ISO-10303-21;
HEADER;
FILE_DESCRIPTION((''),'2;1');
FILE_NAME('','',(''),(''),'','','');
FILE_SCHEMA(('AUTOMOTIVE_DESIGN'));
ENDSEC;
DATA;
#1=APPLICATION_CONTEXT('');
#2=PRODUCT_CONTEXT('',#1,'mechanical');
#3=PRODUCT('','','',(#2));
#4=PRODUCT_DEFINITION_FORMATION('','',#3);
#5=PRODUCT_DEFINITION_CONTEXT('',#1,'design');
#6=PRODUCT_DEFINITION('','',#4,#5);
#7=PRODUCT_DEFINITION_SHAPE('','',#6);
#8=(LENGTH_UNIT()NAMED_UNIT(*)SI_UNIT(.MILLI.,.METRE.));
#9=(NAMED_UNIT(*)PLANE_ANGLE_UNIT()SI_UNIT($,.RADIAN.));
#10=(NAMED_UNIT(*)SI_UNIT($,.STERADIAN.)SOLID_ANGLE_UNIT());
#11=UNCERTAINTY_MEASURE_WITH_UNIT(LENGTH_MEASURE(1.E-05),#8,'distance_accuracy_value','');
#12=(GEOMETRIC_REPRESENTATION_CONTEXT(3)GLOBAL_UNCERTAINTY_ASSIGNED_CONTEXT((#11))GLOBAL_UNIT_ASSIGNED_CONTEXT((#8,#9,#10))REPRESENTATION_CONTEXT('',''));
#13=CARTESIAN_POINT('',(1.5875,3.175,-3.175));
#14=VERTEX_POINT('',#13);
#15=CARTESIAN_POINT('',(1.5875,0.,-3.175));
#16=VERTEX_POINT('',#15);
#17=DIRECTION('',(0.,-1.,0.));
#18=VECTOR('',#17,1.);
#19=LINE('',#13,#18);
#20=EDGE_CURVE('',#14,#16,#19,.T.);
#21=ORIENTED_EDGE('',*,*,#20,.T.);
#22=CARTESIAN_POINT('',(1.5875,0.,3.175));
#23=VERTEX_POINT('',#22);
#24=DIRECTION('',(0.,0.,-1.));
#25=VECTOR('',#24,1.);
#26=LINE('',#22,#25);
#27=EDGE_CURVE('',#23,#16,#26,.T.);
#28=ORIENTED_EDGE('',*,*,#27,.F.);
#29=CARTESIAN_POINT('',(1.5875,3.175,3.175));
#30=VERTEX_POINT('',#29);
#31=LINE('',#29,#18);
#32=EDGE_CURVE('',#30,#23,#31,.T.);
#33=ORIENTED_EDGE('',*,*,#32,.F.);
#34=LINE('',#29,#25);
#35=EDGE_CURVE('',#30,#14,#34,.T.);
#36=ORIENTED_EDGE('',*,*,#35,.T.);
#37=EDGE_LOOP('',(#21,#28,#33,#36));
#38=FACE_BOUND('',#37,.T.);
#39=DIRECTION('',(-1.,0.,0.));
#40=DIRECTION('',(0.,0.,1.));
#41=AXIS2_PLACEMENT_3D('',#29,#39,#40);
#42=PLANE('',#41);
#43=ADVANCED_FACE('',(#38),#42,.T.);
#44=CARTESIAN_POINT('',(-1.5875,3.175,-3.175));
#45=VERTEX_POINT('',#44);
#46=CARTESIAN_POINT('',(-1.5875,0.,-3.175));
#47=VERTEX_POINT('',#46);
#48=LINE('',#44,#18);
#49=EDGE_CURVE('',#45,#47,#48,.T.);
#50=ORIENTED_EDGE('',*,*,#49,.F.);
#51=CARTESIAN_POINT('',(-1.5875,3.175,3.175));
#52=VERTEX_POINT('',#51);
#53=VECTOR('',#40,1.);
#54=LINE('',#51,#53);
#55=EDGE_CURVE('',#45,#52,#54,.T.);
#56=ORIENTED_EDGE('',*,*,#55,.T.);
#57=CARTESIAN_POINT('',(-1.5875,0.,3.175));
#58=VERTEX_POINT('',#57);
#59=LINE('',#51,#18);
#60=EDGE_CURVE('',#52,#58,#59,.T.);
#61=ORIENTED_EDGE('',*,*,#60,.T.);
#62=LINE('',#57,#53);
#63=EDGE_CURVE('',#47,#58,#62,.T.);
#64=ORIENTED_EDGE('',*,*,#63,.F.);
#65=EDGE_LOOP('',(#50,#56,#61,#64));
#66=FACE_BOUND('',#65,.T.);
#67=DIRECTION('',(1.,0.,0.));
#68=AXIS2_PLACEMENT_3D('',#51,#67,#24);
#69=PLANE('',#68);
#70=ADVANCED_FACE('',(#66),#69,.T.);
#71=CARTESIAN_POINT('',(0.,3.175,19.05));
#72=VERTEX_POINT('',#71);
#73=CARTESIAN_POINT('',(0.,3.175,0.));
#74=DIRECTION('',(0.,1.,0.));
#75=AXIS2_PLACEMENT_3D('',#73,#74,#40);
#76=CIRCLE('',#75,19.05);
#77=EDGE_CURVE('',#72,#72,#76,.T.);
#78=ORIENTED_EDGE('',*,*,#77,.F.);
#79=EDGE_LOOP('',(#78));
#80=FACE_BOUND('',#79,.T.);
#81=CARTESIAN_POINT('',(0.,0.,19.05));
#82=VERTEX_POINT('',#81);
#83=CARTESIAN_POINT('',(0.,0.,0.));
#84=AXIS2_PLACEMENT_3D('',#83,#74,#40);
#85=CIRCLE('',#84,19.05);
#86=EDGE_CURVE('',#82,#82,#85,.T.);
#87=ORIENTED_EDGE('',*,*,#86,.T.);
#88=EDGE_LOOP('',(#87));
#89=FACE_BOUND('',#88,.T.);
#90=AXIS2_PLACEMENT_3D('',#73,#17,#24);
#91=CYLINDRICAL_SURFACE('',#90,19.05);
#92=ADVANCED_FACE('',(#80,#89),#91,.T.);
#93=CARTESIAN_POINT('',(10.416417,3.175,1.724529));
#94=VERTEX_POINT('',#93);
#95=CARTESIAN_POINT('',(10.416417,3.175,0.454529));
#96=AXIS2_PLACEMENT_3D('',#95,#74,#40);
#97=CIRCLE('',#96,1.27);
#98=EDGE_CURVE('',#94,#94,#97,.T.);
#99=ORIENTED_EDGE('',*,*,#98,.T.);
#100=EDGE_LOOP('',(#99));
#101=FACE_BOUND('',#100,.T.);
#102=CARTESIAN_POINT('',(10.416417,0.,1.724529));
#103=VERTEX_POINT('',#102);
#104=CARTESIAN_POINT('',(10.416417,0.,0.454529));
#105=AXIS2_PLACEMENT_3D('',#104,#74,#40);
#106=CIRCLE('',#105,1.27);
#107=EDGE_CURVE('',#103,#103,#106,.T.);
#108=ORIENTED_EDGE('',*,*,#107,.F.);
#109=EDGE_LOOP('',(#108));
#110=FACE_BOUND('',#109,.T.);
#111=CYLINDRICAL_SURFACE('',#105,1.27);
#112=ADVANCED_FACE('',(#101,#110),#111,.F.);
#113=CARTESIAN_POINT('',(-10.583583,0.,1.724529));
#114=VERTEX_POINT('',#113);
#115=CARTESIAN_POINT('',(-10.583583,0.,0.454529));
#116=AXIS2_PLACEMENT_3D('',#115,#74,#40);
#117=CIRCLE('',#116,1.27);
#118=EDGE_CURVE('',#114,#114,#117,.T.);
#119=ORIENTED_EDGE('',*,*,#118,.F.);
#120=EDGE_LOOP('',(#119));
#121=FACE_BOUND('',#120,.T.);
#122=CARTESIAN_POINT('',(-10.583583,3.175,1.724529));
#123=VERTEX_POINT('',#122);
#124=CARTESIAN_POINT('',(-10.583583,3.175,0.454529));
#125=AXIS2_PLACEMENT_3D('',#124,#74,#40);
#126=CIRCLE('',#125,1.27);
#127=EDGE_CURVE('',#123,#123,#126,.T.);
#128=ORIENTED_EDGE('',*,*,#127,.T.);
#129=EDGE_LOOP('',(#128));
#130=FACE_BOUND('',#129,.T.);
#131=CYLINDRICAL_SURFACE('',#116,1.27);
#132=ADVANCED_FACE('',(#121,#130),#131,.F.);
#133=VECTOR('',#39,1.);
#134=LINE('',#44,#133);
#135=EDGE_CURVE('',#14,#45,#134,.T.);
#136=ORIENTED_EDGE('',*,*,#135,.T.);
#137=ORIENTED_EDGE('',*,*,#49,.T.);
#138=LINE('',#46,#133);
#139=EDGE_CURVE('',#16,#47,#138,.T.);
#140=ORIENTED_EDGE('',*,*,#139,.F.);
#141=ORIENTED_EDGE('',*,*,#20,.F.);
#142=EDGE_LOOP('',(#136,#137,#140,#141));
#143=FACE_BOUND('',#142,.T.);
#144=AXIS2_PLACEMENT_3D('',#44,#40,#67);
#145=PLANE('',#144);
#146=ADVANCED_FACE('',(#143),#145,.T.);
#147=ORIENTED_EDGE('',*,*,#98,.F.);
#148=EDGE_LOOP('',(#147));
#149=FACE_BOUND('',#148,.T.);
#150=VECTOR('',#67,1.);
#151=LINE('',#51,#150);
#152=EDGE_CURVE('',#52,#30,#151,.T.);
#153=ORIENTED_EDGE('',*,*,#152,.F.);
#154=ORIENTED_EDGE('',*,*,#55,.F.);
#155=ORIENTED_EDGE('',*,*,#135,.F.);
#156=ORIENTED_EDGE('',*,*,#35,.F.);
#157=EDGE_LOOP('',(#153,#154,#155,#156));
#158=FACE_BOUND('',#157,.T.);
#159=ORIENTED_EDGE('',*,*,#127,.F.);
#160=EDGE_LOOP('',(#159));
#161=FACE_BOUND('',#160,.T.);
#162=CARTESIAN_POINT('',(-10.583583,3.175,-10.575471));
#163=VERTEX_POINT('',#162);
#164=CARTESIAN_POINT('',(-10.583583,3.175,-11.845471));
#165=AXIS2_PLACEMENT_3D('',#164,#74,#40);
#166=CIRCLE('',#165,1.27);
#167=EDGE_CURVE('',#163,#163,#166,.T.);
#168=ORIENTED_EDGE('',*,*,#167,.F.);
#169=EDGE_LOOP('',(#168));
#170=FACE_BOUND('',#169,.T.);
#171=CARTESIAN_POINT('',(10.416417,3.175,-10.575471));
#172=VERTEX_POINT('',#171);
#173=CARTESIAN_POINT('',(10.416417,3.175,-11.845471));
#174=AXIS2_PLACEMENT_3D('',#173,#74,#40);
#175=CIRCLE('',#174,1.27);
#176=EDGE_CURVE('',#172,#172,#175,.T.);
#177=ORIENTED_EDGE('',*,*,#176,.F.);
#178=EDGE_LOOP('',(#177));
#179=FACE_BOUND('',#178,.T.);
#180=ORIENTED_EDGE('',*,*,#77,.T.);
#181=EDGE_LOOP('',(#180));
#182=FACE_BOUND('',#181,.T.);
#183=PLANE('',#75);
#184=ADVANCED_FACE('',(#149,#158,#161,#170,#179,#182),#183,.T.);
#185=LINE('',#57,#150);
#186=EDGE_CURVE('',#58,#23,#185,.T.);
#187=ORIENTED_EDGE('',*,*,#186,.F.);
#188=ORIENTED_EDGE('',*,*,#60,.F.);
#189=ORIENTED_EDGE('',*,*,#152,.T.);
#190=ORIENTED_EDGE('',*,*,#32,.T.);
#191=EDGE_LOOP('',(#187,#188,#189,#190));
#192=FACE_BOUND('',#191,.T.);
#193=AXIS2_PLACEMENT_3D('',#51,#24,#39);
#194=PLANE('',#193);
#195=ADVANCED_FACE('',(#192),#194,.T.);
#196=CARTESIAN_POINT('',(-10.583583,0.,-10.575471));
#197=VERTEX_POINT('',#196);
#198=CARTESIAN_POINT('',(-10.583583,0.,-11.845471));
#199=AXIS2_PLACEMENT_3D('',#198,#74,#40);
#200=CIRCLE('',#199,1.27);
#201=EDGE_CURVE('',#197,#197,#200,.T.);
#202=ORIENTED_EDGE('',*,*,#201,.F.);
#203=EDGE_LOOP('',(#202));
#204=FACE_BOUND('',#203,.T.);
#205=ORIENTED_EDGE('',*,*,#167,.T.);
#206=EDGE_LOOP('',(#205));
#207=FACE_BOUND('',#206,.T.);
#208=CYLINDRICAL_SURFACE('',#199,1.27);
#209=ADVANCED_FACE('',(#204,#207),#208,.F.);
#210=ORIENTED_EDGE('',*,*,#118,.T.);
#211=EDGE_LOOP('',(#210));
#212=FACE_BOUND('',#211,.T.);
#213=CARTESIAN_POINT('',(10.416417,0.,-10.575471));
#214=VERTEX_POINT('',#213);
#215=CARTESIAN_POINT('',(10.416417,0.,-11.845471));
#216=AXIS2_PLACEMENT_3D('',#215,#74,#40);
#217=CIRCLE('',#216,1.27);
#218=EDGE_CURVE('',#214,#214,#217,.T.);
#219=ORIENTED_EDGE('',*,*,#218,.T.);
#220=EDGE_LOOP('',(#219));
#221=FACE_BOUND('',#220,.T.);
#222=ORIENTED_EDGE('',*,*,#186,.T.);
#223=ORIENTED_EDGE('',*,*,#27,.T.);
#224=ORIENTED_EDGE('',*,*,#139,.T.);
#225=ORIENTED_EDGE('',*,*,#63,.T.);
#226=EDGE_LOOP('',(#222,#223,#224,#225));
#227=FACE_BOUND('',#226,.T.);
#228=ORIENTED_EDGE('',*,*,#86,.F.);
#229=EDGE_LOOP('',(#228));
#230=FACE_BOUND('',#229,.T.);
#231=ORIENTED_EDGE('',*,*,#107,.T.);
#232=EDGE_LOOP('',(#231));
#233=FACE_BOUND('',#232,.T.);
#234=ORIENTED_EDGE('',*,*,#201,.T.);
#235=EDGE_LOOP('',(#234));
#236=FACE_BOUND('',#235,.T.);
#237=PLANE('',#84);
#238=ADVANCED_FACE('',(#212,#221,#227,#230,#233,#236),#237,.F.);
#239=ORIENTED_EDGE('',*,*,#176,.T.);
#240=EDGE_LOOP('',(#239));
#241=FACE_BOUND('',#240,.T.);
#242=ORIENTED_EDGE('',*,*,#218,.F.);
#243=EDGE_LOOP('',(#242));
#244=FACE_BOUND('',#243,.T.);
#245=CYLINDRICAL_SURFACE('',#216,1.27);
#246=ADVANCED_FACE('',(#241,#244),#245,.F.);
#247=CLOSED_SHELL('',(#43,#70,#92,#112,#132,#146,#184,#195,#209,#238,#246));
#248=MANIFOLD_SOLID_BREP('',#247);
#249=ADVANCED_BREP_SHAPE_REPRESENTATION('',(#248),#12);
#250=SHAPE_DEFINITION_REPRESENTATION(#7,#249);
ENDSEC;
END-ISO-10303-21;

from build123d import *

# Parameters (mm, degrees)
SKETCH1_R           = 19.05
SKETCH1_W           = 3.175
SKETCH1_H           = 6.35
BOSS_EXTRUDE1_DEPTH = 3.175
SKETCH2_R           = 1.27
CUT_EXTRUDE1_DEPTH  = 4.175


with BuildPart() as part:
    # Sketch1 → Boss-Extrude1 (new body)
    with BuildSketch(Plane(origin=(0, 0, 0), x_dir=(1, 0, 0), z_dir=(0, 1, 0))):
        Circle(SKETCH1_R)
        Rectangle(SKETCH1_W, SKETCH1_H, mode=Mode.SUBTRACT)
    extrude(amount=BOSS_EXTRUDE1_DEPTH)

    # Sketch2 → Cut-Extrude1 (cut, through all)
    with BuildSketch(Plane(origin=(0, 3.175, 0), x_dir=(1, 0, 0), z_dir=(0, 1, 0))):
        with Locations((10.416417342, -0.454529354)):
            Circle(SKETCH2_R)
        with Locations((-10.583582658, -0.454529354)):
            Circle(SKETCH2_R)
        with Locations((-10.583582658, 11.845470646)):
            Circle(SKETCH2_R)
        with Locations((10.416417342, 11.845470646)):
            Circle(SKETCH2_R)
    extrude(amount=-CUT_EXTRUDE1_DEPTH, mode=Mode.SUBTRACT)


solid = part.part
